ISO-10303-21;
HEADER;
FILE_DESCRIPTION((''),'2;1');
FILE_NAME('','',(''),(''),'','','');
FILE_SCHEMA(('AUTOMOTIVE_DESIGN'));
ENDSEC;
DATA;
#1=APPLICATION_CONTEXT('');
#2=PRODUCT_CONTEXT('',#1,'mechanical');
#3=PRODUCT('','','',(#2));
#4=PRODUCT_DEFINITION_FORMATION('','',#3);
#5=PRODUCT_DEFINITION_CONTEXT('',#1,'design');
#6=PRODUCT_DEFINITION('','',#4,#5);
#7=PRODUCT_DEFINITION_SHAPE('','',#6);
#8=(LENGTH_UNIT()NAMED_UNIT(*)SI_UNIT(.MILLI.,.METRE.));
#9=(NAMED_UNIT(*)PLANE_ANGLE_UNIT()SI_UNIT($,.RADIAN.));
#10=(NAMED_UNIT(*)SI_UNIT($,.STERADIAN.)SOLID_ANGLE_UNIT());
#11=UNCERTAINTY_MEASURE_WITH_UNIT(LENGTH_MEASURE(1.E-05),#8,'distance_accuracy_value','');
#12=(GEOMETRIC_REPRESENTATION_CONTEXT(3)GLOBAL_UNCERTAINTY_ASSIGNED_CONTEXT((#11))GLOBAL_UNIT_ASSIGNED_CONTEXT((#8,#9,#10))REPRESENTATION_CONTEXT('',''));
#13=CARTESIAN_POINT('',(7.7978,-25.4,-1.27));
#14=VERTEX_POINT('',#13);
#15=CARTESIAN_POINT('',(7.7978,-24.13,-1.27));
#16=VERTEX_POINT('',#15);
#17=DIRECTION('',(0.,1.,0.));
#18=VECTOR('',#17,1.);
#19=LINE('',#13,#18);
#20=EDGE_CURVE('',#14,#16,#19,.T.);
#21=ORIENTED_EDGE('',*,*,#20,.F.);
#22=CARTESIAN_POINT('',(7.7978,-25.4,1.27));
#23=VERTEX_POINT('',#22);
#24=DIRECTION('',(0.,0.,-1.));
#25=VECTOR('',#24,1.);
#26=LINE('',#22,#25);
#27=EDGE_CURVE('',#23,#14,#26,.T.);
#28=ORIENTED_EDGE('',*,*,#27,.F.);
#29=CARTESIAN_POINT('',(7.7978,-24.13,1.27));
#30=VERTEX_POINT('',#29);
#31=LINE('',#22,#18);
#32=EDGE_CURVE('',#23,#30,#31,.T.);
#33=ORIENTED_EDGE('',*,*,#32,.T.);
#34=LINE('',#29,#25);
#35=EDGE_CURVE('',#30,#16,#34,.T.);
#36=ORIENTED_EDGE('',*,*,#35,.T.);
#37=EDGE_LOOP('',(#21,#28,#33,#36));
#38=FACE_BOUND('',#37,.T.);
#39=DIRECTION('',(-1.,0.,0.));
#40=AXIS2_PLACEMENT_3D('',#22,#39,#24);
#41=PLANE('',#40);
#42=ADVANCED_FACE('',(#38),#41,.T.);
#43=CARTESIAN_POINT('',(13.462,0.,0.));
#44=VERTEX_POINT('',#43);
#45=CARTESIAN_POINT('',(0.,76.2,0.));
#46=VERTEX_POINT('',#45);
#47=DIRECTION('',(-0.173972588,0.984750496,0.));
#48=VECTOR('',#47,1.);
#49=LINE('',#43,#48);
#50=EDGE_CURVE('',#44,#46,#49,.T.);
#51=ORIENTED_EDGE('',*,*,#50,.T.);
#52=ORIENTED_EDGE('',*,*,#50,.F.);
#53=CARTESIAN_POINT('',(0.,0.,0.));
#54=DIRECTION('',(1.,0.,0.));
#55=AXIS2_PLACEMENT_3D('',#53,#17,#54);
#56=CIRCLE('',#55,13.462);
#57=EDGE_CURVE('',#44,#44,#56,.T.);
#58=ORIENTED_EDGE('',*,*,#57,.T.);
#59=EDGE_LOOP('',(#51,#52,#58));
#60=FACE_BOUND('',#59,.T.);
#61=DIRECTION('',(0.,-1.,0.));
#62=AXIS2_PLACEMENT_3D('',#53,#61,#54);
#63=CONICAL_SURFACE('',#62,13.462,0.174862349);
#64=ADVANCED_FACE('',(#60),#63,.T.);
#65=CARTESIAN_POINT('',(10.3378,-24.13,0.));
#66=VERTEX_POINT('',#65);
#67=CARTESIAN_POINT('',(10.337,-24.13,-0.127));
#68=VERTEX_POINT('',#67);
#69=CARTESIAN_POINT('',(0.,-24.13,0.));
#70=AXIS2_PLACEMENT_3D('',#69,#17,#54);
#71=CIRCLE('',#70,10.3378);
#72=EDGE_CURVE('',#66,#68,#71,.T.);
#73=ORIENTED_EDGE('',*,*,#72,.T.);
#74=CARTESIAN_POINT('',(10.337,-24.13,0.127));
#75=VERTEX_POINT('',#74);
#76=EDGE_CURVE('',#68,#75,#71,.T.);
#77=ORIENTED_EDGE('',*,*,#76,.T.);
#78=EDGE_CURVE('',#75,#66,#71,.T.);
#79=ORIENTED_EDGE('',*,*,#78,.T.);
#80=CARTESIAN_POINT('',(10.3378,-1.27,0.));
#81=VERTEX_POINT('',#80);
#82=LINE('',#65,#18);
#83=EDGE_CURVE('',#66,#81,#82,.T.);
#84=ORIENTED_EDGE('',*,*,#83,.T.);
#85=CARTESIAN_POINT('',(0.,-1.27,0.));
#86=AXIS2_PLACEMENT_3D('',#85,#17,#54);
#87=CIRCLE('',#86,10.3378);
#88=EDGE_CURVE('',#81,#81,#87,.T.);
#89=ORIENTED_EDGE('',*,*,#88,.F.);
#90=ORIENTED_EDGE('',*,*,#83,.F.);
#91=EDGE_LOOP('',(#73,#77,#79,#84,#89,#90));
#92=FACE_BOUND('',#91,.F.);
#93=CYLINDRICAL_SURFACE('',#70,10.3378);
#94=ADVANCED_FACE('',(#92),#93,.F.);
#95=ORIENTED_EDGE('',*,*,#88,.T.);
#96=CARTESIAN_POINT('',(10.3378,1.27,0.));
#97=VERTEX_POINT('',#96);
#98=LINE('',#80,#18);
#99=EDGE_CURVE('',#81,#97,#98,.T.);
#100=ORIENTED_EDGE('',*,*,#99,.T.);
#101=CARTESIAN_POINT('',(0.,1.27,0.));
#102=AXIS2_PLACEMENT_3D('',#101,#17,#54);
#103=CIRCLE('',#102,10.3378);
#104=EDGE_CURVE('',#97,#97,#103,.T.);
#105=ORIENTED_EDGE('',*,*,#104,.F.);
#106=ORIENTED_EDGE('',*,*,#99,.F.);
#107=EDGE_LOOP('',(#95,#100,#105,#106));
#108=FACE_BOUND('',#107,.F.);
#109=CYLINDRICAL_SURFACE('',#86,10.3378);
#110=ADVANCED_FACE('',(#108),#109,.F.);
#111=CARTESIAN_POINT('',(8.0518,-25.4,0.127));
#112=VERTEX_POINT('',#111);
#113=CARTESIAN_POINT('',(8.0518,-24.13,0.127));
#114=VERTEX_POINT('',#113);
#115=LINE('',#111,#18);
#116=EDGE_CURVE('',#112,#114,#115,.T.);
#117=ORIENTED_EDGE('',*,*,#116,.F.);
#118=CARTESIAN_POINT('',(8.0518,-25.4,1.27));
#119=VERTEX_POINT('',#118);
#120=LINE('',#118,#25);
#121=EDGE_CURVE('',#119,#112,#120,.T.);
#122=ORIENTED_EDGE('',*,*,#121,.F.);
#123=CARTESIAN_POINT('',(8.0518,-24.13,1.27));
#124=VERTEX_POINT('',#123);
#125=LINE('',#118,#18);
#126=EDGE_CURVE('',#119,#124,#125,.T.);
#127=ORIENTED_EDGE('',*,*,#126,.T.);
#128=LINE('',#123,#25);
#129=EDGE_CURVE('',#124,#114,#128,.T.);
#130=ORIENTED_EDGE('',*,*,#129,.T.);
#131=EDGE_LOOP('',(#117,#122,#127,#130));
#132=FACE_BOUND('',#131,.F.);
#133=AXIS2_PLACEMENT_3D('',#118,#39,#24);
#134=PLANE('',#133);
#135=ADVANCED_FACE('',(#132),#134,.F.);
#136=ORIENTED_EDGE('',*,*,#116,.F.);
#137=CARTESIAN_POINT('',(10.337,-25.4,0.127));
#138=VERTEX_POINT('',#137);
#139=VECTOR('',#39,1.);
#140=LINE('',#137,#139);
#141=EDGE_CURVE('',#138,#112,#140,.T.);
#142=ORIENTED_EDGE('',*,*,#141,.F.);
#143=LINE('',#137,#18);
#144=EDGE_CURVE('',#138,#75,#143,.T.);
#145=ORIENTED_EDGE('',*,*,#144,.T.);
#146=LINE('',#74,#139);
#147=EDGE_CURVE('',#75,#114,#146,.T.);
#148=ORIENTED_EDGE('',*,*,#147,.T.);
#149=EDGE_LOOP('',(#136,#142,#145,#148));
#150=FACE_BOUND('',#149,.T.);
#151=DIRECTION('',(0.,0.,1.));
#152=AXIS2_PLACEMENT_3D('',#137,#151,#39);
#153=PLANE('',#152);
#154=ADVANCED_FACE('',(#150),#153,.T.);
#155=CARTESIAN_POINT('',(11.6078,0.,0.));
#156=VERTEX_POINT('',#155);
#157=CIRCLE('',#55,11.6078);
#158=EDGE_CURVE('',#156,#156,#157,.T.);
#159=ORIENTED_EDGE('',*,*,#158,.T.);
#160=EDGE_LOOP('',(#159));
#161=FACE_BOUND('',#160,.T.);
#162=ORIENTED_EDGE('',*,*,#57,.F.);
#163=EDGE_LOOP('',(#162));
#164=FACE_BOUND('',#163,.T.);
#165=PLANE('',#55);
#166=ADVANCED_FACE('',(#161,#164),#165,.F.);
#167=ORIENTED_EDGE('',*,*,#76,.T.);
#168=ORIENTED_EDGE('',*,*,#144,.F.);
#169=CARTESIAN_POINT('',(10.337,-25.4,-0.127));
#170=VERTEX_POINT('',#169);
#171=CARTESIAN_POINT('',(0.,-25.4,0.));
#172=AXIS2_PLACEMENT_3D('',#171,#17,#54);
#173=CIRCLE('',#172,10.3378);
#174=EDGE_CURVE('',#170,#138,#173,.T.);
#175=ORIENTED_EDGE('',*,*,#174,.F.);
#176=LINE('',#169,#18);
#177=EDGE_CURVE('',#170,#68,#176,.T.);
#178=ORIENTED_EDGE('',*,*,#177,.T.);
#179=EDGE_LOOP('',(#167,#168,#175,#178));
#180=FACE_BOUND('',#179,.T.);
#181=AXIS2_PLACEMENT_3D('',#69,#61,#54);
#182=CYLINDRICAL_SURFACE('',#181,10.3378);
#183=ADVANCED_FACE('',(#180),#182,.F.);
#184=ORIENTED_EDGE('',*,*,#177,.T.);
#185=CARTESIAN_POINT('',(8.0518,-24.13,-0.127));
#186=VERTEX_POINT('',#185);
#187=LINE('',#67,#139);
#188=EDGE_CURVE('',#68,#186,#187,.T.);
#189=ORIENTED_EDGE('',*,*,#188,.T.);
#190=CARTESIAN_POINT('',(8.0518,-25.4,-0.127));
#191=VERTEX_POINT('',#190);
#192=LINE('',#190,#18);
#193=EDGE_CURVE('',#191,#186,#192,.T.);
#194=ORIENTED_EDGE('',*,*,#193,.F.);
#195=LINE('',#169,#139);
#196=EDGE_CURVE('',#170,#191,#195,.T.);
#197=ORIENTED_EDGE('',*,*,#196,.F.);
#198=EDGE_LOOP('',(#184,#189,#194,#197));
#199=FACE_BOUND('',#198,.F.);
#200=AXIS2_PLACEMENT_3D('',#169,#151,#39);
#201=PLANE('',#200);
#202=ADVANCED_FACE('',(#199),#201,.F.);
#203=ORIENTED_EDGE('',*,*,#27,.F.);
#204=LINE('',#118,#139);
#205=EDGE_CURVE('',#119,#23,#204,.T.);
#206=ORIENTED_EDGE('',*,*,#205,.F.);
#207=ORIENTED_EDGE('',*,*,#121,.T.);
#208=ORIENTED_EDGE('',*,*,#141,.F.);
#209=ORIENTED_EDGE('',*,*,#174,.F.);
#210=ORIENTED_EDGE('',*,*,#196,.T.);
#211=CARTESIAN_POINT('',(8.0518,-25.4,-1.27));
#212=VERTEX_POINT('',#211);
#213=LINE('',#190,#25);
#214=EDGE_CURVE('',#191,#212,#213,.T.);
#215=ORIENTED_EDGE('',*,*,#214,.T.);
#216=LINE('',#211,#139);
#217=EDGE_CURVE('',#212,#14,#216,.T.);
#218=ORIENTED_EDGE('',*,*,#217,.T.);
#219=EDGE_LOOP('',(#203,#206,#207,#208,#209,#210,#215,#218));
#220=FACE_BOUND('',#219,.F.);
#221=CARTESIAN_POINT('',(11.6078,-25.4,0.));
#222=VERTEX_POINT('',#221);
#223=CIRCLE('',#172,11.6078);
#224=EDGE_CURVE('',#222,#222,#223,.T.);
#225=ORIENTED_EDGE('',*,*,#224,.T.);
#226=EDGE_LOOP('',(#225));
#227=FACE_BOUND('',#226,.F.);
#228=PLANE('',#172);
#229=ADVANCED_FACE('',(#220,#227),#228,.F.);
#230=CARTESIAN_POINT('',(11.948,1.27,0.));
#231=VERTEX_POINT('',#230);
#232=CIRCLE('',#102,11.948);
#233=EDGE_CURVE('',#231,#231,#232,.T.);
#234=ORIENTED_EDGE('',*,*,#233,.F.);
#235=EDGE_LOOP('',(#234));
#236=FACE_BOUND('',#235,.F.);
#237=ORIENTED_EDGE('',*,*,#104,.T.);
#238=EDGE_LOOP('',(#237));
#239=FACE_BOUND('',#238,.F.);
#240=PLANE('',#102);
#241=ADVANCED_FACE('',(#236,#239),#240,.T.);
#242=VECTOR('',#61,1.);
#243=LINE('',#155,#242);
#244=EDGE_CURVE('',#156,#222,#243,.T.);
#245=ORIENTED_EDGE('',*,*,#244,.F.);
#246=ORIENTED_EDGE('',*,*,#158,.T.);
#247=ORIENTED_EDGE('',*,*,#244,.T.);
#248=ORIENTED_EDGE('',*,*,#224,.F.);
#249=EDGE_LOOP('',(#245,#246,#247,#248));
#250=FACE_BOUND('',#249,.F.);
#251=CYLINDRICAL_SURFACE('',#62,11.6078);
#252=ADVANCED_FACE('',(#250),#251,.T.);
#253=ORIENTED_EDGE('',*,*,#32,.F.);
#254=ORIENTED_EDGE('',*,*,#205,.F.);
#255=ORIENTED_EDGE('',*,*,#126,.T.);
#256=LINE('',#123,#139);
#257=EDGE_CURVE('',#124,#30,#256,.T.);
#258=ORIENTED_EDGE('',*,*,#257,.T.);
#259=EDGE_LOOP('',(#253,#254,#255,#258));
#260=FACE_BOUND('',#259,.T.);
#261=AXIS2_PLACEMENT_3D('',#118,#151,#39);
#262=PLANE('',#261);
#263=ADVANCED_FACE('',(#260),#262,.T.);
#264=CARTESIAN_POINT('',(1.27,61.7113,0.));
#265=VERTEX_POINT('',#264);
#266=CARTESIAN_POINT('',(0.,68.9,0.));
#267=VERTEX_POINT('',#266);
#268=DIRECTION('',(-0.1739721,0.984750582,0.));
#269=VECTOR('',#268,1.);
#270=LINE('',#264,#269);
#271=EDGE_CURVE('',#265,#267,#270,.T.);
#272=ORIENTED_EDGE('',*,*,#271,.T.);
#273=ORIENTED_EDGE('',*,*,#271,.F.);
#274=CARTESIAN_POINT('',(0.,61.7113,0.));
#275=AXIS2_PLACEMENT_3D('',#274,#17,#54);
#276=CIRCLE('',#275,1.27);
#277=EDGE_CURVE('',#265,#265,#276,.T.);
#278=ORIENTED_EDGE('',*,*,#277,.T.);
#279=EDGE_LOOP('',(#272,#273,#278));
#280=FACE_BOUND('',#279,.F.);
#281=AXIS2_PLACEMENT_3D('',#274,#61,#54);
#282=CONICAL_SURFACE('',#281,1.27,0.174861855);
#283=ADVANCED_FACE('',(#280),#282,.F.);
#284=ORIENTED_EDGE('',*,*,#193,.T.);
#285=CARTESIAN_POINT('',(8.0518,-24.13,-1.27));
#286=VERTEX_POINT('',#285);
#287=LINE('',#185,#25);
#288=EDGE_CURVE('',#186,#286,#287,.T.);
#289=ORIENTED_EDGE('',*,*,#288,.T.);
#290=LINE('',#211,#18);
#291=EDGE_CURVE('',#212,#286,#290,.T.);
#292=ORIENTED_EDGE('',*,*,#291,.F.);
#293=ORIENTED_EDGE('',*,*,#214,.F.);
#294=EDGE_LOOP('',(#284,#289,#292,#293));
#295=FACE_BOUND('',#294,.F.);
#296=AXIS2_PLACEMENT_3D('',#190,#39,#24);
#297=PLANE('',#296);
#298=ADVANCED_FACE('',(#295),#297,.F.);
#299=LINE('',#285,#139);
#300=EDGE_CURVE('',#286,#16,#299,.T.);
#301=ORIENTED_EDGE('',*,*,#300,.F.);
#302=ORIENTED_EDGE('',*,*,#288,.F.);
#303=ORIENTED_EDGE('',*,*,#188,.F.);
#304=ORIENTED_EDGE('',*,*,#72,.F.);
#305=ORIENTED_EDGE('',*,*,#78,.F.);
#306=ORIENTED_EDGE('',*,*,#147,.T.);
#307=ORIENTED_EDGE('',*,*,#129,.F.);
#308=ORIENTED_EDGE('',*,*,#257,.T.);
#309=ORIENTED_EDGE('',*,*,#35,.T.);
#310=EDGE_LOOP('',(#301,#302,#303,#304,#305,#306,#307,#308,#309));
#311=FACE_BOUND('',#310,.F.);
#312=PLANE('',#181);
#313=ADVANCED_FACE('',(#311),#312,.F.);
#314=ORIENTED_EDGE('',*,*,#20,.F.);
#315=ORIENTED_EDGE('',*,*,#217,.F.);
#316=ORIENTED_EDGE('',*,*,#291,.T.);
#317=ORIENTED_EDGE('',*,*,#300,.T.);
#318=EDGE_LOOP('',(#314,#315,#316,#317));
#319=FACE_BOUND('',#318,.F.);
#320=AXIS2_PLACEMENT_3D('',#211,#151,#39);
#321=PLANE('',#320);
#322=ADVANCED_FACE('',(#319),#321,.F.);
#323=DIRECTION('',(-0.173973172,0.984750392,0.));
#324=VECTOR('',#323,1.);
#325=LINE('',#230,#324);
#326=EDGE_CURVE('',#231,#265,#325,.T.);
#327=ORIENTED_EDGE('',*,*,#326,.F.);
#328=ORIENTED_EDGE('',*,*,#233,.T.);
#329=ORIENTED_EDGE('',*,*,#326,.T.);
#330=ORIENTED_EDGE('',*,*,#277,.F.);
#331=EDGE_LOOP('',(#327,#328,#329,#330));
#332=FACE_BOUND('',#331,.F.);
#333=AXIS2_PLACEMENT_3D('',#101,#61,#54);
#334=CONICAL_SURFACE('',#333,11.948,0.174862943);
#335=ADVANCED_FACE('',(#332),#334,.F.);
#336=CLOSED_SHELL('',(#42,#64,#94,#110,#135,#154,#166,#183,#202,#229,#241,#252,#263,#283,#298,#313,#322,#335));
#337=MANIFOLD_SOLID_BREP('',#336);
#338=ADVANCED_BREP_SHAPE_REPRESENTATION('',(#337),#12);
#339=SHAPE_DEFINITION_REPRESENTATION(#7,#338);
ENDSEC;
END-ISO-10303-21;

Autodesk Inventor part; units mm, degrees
ref_plane "YZ Plane" through (0, 0, 0) normal (1, 0, 0) x (0, 1, 0)
ref_plane "XZ Plane" through (0, 0, 0) normal (0, 1, 0) x (-1, 0, 0)
ref_plane "XY Plane" through (0, 0, 0) normal (0, 0, 1) x (1, 0, 0)
sketch "Sketch1" plane through (0, 0, 0) normal (0, 0, 1) x (1, 0, 0)
  line L0 (0, 0) -> (0, 76.2)
  line L1 (11.6078, 0) -> (76.2, 0) construction
  line L2 (11.6078, 0) -> (13.462, 0)
  line L3 (11.6078, 0) -> (13.462, 0) construction
  line L4 (13.462, 0) -> (0, 76.2)
  line L5 (11.6078, 0) -> (11.6078, -25.4)
  line L6 (11.6078, -25.4) -> (0, -25.4)
  line L7 (0, -25.4) -> (0, 0)
  line L8 (10.3378, 1.27) -> (11.948, 1.27)
  line L9 (11.948, 1.27) -> (1.27, 61.7113)
  line L10 (10.3378, -24.13) -> (10.3378, -1.27)
  line L11 (10.3378, -1.27) -> (10.3378, 1.27)
  line L12 (10.3378, -24.13) -> (10.3378, -25.4)
  line L13 (1.27, 61.7113) -> (0, 68.9)
  dimension "d0" = 76.2
  dimension "d1" = 90
  dimension "d2" = 13.462
  dimension "d3" = 0
  dimension "d4" = 11.6078
  dimension "d5" = 25.4
  dimension "d6" = 1.27
  dimension "d7" = 1.27
revolve "Revolution1" add sketch "Sketch1" angle 360 about axis through (0, 0, 0) along (0, 1, 0) contours L0 L4 L2 L5 L6 L12 L10 L11 L8 L9 L13
sketch "Sketch2" plane through (0, -25.4, 0) normal (0, -1, 0) x (1, 0, 0)
  circle A0 centre (0, 0) radius 10.3378 projected
  line L0 (10.337, -0.127) -> (8.0518, -0.127)
  line L1 (10.337, -0.127) -> (8.0518, -0.127)
  line L2 (10.337, 0.127) -> (8.0518, 0.127)
  line L3 (8.0518, 1.27) -> (8.0518, 0.127)
  line L4 (8.0518, -0.127) -> (8.0518, -1.27)
  line L5 (8.0518, -1.27) -> (7.7978, -1.27)
  line L6 (8.0518, 1.27) -> (7.7978, 1.27)
  line L7 (7.7978, 1.27) -> (7.7978, -1.27)
extrude "Extrusion1" add sketch "Sketch2" against normal blind 1.27 contours A0 L0 L4 L5 L7 L6 L3 L2 picked at (7.8825, -0.0423)
properties part number "NoseCone_Mk III"
